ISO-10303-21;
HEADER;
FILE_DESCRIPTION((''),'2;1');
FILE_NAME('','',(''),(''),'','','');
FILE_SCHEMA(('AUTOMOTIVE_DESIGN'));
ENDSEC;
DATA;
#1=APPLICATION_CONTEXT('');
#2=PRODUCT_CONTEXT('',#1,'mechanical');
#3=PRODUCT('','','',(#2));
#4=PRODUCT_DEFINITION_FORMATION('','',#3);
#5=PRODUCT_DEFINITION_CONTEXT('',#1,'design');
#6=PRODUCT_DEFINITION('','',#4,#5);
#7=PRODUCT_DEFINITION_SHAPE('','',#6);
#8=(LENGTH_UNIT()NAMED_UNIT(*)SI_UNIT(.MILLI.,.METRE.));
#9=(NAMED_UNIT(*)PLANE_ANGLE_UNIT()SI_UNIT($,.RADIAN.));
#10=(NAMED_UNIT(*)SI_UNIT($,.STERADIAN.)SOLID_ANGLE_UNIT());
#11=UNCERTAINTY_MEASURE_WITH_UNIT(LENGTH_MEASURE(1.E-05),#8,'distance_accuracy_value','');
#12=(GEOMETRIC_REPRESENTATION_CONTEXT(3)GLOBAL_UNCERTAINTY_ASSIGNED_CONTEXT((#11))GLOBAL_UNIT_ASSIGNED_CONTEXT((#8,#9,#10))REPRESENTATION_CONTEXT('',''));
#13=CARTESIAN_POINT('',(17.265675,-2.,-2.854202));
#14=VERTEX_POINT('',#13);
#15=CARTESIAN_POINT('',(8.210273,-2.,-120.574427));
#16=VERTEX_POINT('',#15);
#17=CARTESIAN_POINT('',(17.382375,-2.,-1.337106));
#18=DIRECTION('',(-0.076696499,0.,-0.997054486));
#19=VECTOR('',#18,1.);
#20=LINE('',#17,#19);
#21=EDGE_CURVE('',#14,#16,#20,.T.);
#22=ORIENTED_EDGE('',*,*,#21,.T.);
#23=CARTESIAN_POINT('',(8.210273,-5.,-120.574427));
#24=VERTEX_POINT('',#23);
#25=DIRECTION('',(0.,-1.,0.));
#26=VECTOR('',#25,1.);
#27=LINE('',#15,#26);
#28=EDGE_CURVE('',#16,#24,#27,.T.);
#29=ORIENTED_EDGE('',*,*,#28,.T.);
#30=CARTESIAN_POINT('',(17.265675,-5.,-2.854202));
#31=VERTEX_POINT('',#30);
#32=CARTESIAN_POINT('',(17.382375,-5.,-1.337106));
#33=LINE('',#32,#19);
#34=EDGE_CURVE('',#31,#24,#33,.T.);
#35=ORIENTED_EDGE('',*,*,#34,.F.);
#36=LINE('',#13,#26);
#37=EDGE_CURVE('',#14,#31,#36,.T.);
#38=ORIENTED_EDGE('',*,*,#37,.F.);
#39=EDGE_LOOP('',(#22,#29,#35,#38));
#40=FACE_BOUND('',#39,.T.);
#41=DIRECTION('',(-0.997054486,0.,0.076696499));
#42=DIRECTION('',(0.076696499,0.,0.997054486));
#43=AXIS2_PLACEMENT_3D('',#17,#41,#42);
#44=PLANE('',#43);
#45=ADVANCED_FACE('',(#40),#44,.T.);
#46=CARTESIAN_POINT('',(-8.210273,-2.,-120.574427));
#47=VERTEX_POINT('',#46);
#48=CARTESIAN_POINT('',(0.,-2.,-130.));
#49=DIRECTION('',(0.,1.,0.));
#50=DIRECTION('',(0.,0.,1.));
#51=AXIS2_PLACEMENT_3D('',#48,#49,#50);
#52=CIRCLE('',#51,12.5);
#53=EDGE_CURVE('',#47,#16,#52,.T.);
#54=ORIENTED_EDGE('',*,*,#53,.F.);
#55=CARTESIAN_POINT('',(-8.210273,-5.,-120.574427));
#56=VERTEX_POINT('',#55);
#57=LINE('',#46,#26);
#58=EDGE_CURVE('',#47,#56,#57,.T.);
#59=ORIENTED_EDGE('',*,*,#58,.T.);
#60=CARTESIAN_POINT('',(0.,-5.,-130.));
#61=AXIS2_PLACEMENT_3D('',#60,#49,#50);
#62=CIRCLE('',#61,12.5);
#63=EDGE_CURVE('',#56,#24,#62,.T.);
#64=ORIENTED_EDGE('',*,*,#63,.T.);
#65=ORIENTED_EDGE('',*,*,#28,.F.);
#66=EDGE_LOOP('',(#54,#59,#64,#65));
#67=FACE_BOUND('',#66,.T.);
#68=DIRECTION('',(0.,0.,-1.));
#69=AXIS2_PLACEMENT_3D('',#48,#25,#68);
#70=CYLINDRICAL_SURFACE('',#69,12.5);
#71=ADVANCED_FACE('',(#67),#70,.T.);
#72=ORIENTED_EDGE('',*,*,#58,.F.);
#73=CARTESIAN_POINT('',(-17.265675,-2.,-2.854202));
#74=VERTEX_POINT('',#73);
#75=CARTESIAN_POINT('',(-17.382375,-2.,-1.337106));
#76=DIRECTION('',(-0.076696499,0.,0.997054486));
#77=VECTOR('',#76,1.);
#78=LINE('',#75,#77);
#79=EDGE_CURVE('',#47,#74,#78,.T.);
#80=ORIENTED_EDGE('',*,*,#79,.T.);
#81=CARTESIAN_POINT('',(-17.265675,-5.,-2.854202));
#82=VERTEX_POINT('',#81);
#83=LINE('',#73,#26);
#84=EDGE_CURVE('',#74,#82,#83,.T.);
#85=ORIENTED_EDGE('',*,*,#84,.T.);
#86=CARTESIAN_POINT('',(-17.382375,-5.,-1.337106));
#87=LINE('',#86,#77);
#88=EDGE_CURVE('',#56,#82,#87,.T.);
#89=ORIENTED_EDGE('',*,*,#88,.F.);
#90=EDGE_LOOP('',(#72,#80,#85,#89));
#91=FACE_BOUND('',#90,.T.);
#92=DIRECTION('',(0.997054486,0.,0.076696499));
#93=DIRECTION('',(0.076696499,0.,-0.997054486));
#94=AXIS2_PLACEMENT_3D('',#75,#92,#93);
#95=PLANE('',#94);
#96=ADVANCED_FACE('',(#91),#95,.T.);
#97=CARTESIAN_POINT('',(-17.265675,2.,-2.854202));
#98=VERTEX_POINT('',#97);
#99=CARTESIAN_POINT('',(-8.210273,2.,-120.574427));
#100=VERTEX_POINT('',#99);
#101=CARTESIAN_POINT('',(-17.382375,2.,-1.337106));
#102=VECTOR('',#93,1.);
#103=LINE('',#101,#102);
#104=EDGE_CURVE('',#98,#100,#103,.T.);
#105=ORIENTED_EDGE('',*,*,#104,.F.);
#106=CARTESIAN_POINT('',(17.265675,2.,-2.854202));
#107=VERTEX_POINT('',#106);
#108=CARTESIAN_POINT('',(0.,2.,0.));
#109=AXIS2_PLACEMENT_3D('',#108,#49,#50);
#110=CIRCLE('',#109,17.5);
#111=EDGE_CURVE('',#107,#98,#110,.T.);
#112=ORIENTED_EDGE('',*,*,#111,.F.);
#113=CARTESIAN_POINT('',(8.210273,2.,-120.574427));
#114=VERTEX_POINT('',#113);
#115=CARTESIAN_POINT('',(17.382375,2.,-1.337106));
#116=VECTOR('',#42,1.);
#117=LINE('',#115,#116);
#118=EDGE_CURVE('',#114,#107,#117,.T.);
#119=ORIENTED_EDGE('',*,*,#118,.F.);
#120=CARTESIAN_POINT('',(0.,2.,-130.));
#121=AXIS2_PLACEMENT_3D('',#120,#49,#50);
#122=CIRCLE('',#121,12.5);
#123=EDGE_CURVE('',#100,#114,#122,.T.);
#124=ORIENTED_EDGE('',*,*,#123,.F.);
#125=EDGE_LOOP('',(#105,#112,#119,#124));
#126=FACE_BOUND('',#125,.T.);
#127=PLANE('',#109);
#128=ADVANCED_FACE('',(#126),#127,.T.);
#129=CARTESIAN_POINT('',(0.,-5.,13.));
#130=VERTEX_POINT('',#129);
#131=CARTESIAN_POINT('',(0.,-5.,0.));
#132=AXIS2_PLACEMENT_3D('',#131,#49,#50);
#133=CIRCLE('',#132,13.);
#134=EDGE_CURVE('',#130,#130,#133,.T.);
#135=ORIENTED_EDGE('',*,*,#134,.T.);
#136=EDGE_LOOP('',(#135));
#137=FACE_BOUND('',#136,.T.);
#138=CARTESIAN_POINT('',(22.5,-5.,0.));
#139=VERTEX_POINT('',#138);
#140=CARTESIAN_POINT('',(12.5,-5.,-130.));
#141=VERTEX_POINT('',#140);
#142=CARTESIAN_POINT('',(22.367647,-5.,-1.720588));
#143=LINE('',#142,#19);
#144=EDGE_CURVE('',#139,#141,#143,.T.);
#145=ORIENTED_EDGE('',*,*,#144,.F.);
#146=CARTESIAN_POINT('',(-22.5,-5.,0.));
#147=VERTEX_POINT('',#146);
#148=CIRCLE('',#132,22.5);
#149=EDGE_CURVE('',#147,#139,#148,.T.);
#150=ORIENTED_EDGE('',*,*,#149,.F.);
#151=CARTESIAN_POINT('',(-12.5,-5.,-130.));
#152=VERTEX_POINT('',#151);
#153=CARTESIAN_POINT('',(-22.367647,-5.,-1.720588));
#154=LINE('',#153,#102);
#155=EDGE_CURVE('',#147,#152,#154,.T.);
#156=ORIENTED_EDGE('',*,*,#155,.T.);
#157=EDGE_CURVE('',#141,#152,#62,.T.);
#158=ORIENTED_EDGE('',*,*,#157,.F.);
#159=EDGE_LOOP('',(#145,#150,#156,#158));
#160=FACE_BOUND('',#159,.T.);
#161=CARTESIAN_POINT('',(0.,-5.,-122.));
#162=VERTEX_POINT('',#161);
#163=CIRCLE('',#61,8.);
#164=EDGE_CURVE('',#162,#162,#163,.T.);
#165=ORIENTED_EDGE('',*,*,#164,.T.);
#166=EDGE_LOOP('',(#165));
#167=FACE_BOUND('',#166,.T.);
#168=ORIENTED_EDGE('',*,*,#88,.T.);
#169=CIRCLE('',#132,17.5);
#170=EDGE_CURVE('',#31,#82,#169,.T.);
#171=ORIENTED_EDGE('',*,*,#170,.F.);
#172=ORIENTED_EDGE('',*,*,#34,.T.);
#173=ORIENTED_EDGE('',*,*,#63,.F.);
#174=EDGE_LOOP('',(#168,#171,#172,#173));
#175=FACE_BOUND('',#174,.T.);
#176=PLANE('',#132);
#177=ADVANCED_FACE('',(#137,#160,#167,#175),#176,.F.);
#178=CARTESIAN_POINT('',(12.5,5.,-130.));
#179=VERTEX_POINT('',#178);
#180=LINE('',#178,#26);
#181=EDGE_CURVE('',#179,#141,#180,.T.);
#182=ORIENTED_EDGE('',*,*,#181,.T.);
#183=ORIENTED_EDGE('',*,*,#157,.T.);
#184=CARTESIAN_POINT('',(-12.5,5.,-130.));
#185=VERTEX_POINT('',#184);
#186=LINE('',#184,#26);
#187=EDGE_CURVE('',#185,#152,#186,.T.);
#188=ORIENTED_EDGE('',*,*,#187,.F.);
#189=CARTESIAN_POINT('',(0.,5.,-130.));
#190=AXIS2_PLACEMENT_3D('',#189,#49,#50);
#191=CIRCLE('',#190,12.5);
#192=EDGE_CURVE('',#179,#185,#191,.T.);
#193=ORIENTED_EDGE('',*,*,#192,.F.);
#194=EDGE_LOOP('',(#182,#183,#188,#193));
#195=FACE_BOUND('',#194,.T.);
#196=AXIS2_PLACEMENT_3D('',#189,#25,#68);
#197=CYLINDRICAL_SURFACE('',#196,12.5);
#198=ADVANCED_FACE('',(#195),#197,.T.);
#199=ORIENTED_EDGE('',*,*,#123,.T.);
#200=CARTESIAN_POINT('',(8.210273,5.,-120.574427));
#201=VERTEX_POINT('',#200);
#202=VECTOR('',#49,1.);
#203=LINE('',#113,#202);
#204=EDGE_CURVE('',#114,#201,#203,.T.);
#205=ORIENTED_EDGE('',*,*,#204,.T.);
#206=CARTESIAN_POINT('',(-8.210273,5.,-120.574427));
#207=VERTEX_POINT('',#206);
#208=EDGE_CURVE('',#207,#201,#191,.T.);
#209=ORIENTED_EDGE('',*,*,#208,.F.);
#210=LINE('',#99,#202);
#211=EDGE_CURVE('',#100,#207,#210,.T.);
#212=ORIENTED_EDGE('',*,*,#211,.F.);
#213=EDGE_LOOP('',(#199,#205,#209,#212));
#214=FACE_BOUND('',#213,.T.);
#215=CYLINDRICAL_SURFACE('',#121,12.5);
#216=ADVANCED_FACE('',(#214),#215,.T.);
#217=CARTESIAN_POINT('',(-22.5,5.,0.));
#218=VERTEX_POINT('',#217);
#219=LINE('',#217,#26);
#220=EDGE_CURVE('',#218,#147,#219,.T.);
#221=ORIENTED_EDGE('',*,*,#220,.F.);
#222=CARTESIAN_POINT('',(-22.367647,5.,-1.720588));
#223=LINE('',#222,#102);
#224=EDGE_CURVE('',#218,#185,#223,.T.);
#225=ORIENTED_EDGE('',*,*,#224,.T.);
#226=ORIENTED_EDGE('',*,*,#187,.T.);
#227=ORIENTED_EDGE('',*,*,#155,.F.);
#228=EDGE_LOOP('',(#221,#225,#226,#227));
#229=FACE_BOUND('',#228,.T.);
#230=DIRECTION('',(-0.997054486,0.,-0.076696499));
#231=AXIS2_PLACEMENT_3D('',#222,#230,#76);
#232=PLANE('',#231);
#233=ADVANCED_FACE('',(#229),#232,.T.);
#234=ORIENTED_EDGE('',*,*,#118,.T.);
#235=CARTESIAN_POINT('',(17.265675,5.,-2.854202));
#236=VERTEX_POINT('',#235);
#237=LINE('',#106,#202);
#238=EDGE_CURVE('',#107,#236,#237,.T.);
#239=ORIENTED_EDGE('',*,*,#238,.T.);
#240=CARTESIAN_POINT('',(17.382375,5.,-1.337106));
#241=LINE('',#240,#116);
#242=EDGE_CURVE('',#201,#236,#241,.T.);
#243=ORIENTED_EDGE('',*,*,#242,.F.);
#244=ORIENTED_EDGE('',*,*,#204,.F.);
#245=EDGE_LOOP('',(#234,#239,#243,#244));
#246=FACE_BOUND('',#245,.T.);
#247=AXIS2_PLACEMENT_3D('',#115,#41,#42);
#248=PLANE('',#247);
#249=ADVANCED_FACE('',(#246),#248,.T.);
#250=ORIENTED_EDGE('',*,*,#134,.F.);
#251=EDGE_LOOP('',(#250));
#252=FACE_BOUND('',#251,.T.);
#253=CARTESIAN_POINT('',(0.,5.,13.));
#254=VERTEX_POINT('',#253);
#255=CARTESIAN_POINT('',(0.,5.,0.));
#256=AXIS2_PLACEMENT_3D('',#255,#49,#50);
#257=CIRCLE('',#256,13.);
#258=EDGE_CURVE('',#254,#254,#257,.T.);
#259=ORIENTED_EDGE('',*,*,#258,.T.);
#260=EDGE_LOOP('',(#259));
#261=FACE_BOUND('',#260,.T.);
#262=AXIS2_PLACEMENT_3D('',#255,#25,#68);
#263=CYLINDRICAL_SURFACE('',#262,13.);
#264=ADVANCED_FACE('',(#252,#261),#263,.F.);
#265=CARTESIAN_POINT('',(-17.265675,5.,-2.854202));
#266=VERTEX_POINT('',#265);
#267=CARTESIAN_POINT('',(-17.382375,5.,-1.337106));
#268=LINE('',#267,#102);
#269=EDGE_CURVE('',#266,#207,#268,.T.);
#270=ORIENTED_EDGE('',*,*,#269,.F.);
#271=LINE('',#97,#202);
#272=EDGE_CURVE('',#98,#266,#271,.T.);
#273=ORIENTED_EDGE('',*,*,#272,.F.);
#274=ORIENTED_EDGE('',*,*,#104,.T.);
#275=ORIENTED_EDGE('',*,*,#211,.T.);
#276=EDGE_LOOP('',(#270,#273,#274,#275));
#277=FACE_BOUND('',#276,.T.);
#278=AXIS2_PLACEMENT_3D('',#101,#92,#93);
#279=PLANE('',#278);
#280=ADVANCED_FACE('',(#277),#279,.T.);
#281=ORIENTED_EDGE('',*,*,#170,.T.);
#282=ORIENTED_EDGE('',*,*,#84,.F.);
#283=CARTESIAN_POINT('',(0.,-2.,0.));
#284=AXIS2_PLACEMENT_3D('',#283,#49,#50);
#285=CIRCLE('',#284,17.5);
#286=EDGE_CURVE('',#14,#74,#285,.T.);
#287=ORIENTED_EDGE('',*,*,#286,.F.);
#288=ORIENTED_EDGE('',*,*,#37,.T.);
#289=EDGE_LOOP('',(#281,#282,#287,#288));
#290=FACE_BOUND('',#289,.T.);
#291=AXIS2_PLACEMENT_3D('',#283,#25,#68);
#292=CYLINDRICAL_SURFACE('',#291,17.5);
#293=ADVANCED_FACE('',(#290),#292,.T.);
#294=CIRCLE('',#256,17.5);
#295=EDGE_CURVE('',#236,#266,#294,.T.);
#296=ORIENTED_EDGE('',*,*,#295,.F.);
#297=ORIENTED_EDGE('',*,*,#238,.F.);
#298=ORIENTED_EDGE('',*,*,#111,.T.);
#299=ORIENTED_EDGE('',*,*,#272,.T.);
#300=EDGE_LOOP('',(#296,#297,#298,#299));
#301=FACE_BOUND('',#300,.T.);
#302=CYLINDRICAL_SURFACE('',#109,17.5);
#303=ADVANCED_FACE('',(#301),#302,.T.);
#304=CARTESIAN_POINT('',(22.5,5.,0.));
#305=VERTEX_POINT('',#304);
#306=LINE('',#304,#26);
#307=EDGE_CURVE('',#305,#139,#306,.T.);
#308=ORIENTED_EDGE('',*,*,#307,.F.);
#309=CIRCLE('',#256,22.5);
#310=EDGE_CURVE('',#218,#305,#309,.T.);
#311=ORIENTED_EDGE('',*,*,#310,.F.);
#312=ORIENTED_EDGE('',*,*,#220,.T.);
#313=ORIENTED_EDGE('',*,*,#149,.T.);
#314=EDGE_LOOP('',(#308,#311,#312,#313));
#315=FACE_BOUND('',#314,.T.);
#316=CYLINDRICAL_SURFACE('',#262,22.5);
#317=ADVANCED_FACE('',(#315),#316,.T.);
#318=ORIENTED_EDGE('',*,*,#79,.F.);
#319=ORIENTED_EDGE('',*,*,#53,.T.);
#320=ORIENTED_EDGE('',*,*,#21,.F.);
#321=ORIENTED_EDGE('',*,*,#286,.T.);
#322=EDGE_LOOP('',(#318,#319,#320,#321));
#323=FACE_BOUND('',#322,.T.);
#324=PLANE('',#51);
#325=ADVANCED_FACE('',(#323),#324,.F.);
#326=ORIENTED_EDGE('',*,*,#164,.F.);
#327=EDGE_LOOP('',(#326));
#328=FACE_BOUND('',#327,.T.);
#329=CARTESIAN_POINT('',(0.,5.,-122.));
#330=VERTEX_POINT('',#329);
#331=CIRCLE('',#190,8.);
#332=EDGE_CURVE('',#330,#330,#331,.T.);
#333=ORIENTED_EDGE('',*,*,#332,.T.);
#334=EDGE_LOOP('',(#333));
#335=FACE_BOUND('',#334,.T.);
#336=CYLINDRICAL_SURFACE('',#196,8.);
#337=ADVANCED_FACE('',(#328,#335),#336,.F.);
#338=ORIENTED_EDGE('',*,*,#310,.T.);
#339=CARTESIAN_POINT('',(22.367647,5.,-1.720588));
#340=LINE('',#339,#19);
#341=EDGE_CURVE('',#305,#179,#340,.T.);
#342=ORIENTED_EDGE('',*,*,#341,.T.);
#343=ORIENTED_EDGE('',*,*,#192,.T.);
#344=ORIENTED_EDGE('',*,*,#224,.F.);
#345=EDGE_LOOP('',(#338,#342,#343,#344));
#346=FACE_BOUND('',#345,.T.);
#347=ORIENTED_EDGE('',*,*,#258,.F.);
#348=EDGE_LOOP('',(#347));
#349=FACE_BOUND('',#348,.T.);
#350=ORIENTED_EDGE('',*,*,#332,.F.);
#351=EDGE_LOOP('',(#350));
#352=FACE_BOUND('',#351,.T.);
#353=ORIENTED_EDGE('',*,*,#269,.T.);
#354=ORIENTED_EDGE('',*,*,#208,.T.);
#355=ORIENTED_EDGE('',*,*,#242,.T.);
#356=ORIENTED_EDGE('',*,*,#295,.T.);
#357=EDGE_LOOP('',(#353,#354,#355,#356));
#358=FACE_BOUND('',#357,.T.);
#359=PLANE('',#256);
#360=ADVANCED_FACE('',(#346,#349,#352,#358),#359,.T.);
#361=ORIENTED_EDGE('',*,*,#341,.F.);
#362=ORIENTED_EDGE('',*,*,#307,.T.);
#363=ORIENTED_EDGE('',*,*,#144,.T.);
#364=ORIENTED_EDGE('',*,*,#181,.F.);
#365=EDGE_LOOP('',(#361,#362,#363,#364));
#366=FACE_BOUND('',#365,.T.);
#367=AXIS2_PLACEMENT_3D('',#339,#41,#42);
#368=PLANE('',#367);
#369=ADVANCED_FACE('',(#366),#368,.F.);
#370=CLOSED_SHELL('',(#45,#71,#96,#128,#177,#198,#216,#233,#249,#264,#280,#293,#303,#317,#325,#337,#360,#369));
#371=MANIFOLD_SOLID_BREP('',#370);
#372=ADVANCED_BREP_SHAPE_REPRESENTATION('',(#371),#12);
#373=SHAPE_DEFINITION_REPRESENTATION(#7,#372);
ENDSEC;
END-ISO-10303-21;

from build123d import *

# Parameters (mm, degrees)
SKETCH1_R           = 13
SKETCH1_R_2         = 8
BOSS_EXTRUDE1_DEPTH = 5
CUT_EXTRUDE1_START  = -5
CUT_EXTRUDE1_DEPTH  = 3
CUT_EXTRUDE2_START  = 2
CUT_EXTRUDE2_DEPTH  = 3


with BuildPart() as part:
    # Sketch1 → Boss-Extrude1 (new, symmetric)
    with BuildSketch(Plane(origin=(0, 0, 0), x_dir=(1, 0, 0), z_dir=(0, 1, 0))):
        with BuildLine():
            Line((22.5, 0), (12.5, 130))
            ThreePointArc((12.5, 130), (0, 142.5), (-12.5, 130))
            Line((-12.5, 130), (-22.5, 0))
            ThreePointArc((-22.5, 0), (0, -22.5), (22.5, 0))
        make_face()
        with Locations(Location((0, 0, 0), (0, 0, 270))):
            Circle(SKETCH1_R, mode=Mode.SUBTRACT)
        with Locations(Location((0, 130, 0), (0, 0, 270))):
            Circle(SKETCH1_R_2, mode=Mode.SUBTRACT)
    extrude(amount=BOSS_EXTRUDE1_DEPTH, both=True)

    # Sketch2 → Cut-Extrude1 (cut)
    with BuildSketch(Plane(origin=(0, 0, 0), x_dir=(1, 0, 0), z_dir=(0, 1, 0)).offset(CUT_EXTRUDE1_START)):
        with BuildLine():
            Line((-8.210272961, 120.57442745), (-17.265674906, 2.854202174))
            ThreePointArc((-17.265674906, 2.854202174), (0, 17.5), (17.265674906, 2.854202174))
            Line((17.265674906, 2.854202174), (8.210272961, 120.57442745))
            ThreePointArc((8.210272961, 120.57442745), (0, 117.5), (-8.210272961, 120.57442745))
        make_face()
    extrude(amount=CUT_EXTRUDE1_DEPTH, mode=Mode.SUBTRACT)

    # Sketch2<3> → Cut-Extrude2 (cut)
    with BuildSketch(Plane(origin=(0, 0, 0), x_dir=(1, 0, 0), z_dir=(0, 1, 0)).offset(CUT_EXTRUDE2_START)):
        with BuildLine():
            Line((-8.210272961, 120.57442745), (-17.265674906, 2.854202174))
            ThreePointArc((-17.265674906, 2.854202174), (0, 17.5), (17.265674906, 2.854202174))
            Line((17.265674906, 2.854202174), (8.210272961, 120.57442745))
            ThreePointArc((8.210272961, 120.57442745), (0, 117.5), (-8.210272961, 120.57442745))
        make_face()
    extrude(amount=CUT_EXTRUDE2_DEPTH, mode=Mode.SUBTRACT)


solid = part.part
